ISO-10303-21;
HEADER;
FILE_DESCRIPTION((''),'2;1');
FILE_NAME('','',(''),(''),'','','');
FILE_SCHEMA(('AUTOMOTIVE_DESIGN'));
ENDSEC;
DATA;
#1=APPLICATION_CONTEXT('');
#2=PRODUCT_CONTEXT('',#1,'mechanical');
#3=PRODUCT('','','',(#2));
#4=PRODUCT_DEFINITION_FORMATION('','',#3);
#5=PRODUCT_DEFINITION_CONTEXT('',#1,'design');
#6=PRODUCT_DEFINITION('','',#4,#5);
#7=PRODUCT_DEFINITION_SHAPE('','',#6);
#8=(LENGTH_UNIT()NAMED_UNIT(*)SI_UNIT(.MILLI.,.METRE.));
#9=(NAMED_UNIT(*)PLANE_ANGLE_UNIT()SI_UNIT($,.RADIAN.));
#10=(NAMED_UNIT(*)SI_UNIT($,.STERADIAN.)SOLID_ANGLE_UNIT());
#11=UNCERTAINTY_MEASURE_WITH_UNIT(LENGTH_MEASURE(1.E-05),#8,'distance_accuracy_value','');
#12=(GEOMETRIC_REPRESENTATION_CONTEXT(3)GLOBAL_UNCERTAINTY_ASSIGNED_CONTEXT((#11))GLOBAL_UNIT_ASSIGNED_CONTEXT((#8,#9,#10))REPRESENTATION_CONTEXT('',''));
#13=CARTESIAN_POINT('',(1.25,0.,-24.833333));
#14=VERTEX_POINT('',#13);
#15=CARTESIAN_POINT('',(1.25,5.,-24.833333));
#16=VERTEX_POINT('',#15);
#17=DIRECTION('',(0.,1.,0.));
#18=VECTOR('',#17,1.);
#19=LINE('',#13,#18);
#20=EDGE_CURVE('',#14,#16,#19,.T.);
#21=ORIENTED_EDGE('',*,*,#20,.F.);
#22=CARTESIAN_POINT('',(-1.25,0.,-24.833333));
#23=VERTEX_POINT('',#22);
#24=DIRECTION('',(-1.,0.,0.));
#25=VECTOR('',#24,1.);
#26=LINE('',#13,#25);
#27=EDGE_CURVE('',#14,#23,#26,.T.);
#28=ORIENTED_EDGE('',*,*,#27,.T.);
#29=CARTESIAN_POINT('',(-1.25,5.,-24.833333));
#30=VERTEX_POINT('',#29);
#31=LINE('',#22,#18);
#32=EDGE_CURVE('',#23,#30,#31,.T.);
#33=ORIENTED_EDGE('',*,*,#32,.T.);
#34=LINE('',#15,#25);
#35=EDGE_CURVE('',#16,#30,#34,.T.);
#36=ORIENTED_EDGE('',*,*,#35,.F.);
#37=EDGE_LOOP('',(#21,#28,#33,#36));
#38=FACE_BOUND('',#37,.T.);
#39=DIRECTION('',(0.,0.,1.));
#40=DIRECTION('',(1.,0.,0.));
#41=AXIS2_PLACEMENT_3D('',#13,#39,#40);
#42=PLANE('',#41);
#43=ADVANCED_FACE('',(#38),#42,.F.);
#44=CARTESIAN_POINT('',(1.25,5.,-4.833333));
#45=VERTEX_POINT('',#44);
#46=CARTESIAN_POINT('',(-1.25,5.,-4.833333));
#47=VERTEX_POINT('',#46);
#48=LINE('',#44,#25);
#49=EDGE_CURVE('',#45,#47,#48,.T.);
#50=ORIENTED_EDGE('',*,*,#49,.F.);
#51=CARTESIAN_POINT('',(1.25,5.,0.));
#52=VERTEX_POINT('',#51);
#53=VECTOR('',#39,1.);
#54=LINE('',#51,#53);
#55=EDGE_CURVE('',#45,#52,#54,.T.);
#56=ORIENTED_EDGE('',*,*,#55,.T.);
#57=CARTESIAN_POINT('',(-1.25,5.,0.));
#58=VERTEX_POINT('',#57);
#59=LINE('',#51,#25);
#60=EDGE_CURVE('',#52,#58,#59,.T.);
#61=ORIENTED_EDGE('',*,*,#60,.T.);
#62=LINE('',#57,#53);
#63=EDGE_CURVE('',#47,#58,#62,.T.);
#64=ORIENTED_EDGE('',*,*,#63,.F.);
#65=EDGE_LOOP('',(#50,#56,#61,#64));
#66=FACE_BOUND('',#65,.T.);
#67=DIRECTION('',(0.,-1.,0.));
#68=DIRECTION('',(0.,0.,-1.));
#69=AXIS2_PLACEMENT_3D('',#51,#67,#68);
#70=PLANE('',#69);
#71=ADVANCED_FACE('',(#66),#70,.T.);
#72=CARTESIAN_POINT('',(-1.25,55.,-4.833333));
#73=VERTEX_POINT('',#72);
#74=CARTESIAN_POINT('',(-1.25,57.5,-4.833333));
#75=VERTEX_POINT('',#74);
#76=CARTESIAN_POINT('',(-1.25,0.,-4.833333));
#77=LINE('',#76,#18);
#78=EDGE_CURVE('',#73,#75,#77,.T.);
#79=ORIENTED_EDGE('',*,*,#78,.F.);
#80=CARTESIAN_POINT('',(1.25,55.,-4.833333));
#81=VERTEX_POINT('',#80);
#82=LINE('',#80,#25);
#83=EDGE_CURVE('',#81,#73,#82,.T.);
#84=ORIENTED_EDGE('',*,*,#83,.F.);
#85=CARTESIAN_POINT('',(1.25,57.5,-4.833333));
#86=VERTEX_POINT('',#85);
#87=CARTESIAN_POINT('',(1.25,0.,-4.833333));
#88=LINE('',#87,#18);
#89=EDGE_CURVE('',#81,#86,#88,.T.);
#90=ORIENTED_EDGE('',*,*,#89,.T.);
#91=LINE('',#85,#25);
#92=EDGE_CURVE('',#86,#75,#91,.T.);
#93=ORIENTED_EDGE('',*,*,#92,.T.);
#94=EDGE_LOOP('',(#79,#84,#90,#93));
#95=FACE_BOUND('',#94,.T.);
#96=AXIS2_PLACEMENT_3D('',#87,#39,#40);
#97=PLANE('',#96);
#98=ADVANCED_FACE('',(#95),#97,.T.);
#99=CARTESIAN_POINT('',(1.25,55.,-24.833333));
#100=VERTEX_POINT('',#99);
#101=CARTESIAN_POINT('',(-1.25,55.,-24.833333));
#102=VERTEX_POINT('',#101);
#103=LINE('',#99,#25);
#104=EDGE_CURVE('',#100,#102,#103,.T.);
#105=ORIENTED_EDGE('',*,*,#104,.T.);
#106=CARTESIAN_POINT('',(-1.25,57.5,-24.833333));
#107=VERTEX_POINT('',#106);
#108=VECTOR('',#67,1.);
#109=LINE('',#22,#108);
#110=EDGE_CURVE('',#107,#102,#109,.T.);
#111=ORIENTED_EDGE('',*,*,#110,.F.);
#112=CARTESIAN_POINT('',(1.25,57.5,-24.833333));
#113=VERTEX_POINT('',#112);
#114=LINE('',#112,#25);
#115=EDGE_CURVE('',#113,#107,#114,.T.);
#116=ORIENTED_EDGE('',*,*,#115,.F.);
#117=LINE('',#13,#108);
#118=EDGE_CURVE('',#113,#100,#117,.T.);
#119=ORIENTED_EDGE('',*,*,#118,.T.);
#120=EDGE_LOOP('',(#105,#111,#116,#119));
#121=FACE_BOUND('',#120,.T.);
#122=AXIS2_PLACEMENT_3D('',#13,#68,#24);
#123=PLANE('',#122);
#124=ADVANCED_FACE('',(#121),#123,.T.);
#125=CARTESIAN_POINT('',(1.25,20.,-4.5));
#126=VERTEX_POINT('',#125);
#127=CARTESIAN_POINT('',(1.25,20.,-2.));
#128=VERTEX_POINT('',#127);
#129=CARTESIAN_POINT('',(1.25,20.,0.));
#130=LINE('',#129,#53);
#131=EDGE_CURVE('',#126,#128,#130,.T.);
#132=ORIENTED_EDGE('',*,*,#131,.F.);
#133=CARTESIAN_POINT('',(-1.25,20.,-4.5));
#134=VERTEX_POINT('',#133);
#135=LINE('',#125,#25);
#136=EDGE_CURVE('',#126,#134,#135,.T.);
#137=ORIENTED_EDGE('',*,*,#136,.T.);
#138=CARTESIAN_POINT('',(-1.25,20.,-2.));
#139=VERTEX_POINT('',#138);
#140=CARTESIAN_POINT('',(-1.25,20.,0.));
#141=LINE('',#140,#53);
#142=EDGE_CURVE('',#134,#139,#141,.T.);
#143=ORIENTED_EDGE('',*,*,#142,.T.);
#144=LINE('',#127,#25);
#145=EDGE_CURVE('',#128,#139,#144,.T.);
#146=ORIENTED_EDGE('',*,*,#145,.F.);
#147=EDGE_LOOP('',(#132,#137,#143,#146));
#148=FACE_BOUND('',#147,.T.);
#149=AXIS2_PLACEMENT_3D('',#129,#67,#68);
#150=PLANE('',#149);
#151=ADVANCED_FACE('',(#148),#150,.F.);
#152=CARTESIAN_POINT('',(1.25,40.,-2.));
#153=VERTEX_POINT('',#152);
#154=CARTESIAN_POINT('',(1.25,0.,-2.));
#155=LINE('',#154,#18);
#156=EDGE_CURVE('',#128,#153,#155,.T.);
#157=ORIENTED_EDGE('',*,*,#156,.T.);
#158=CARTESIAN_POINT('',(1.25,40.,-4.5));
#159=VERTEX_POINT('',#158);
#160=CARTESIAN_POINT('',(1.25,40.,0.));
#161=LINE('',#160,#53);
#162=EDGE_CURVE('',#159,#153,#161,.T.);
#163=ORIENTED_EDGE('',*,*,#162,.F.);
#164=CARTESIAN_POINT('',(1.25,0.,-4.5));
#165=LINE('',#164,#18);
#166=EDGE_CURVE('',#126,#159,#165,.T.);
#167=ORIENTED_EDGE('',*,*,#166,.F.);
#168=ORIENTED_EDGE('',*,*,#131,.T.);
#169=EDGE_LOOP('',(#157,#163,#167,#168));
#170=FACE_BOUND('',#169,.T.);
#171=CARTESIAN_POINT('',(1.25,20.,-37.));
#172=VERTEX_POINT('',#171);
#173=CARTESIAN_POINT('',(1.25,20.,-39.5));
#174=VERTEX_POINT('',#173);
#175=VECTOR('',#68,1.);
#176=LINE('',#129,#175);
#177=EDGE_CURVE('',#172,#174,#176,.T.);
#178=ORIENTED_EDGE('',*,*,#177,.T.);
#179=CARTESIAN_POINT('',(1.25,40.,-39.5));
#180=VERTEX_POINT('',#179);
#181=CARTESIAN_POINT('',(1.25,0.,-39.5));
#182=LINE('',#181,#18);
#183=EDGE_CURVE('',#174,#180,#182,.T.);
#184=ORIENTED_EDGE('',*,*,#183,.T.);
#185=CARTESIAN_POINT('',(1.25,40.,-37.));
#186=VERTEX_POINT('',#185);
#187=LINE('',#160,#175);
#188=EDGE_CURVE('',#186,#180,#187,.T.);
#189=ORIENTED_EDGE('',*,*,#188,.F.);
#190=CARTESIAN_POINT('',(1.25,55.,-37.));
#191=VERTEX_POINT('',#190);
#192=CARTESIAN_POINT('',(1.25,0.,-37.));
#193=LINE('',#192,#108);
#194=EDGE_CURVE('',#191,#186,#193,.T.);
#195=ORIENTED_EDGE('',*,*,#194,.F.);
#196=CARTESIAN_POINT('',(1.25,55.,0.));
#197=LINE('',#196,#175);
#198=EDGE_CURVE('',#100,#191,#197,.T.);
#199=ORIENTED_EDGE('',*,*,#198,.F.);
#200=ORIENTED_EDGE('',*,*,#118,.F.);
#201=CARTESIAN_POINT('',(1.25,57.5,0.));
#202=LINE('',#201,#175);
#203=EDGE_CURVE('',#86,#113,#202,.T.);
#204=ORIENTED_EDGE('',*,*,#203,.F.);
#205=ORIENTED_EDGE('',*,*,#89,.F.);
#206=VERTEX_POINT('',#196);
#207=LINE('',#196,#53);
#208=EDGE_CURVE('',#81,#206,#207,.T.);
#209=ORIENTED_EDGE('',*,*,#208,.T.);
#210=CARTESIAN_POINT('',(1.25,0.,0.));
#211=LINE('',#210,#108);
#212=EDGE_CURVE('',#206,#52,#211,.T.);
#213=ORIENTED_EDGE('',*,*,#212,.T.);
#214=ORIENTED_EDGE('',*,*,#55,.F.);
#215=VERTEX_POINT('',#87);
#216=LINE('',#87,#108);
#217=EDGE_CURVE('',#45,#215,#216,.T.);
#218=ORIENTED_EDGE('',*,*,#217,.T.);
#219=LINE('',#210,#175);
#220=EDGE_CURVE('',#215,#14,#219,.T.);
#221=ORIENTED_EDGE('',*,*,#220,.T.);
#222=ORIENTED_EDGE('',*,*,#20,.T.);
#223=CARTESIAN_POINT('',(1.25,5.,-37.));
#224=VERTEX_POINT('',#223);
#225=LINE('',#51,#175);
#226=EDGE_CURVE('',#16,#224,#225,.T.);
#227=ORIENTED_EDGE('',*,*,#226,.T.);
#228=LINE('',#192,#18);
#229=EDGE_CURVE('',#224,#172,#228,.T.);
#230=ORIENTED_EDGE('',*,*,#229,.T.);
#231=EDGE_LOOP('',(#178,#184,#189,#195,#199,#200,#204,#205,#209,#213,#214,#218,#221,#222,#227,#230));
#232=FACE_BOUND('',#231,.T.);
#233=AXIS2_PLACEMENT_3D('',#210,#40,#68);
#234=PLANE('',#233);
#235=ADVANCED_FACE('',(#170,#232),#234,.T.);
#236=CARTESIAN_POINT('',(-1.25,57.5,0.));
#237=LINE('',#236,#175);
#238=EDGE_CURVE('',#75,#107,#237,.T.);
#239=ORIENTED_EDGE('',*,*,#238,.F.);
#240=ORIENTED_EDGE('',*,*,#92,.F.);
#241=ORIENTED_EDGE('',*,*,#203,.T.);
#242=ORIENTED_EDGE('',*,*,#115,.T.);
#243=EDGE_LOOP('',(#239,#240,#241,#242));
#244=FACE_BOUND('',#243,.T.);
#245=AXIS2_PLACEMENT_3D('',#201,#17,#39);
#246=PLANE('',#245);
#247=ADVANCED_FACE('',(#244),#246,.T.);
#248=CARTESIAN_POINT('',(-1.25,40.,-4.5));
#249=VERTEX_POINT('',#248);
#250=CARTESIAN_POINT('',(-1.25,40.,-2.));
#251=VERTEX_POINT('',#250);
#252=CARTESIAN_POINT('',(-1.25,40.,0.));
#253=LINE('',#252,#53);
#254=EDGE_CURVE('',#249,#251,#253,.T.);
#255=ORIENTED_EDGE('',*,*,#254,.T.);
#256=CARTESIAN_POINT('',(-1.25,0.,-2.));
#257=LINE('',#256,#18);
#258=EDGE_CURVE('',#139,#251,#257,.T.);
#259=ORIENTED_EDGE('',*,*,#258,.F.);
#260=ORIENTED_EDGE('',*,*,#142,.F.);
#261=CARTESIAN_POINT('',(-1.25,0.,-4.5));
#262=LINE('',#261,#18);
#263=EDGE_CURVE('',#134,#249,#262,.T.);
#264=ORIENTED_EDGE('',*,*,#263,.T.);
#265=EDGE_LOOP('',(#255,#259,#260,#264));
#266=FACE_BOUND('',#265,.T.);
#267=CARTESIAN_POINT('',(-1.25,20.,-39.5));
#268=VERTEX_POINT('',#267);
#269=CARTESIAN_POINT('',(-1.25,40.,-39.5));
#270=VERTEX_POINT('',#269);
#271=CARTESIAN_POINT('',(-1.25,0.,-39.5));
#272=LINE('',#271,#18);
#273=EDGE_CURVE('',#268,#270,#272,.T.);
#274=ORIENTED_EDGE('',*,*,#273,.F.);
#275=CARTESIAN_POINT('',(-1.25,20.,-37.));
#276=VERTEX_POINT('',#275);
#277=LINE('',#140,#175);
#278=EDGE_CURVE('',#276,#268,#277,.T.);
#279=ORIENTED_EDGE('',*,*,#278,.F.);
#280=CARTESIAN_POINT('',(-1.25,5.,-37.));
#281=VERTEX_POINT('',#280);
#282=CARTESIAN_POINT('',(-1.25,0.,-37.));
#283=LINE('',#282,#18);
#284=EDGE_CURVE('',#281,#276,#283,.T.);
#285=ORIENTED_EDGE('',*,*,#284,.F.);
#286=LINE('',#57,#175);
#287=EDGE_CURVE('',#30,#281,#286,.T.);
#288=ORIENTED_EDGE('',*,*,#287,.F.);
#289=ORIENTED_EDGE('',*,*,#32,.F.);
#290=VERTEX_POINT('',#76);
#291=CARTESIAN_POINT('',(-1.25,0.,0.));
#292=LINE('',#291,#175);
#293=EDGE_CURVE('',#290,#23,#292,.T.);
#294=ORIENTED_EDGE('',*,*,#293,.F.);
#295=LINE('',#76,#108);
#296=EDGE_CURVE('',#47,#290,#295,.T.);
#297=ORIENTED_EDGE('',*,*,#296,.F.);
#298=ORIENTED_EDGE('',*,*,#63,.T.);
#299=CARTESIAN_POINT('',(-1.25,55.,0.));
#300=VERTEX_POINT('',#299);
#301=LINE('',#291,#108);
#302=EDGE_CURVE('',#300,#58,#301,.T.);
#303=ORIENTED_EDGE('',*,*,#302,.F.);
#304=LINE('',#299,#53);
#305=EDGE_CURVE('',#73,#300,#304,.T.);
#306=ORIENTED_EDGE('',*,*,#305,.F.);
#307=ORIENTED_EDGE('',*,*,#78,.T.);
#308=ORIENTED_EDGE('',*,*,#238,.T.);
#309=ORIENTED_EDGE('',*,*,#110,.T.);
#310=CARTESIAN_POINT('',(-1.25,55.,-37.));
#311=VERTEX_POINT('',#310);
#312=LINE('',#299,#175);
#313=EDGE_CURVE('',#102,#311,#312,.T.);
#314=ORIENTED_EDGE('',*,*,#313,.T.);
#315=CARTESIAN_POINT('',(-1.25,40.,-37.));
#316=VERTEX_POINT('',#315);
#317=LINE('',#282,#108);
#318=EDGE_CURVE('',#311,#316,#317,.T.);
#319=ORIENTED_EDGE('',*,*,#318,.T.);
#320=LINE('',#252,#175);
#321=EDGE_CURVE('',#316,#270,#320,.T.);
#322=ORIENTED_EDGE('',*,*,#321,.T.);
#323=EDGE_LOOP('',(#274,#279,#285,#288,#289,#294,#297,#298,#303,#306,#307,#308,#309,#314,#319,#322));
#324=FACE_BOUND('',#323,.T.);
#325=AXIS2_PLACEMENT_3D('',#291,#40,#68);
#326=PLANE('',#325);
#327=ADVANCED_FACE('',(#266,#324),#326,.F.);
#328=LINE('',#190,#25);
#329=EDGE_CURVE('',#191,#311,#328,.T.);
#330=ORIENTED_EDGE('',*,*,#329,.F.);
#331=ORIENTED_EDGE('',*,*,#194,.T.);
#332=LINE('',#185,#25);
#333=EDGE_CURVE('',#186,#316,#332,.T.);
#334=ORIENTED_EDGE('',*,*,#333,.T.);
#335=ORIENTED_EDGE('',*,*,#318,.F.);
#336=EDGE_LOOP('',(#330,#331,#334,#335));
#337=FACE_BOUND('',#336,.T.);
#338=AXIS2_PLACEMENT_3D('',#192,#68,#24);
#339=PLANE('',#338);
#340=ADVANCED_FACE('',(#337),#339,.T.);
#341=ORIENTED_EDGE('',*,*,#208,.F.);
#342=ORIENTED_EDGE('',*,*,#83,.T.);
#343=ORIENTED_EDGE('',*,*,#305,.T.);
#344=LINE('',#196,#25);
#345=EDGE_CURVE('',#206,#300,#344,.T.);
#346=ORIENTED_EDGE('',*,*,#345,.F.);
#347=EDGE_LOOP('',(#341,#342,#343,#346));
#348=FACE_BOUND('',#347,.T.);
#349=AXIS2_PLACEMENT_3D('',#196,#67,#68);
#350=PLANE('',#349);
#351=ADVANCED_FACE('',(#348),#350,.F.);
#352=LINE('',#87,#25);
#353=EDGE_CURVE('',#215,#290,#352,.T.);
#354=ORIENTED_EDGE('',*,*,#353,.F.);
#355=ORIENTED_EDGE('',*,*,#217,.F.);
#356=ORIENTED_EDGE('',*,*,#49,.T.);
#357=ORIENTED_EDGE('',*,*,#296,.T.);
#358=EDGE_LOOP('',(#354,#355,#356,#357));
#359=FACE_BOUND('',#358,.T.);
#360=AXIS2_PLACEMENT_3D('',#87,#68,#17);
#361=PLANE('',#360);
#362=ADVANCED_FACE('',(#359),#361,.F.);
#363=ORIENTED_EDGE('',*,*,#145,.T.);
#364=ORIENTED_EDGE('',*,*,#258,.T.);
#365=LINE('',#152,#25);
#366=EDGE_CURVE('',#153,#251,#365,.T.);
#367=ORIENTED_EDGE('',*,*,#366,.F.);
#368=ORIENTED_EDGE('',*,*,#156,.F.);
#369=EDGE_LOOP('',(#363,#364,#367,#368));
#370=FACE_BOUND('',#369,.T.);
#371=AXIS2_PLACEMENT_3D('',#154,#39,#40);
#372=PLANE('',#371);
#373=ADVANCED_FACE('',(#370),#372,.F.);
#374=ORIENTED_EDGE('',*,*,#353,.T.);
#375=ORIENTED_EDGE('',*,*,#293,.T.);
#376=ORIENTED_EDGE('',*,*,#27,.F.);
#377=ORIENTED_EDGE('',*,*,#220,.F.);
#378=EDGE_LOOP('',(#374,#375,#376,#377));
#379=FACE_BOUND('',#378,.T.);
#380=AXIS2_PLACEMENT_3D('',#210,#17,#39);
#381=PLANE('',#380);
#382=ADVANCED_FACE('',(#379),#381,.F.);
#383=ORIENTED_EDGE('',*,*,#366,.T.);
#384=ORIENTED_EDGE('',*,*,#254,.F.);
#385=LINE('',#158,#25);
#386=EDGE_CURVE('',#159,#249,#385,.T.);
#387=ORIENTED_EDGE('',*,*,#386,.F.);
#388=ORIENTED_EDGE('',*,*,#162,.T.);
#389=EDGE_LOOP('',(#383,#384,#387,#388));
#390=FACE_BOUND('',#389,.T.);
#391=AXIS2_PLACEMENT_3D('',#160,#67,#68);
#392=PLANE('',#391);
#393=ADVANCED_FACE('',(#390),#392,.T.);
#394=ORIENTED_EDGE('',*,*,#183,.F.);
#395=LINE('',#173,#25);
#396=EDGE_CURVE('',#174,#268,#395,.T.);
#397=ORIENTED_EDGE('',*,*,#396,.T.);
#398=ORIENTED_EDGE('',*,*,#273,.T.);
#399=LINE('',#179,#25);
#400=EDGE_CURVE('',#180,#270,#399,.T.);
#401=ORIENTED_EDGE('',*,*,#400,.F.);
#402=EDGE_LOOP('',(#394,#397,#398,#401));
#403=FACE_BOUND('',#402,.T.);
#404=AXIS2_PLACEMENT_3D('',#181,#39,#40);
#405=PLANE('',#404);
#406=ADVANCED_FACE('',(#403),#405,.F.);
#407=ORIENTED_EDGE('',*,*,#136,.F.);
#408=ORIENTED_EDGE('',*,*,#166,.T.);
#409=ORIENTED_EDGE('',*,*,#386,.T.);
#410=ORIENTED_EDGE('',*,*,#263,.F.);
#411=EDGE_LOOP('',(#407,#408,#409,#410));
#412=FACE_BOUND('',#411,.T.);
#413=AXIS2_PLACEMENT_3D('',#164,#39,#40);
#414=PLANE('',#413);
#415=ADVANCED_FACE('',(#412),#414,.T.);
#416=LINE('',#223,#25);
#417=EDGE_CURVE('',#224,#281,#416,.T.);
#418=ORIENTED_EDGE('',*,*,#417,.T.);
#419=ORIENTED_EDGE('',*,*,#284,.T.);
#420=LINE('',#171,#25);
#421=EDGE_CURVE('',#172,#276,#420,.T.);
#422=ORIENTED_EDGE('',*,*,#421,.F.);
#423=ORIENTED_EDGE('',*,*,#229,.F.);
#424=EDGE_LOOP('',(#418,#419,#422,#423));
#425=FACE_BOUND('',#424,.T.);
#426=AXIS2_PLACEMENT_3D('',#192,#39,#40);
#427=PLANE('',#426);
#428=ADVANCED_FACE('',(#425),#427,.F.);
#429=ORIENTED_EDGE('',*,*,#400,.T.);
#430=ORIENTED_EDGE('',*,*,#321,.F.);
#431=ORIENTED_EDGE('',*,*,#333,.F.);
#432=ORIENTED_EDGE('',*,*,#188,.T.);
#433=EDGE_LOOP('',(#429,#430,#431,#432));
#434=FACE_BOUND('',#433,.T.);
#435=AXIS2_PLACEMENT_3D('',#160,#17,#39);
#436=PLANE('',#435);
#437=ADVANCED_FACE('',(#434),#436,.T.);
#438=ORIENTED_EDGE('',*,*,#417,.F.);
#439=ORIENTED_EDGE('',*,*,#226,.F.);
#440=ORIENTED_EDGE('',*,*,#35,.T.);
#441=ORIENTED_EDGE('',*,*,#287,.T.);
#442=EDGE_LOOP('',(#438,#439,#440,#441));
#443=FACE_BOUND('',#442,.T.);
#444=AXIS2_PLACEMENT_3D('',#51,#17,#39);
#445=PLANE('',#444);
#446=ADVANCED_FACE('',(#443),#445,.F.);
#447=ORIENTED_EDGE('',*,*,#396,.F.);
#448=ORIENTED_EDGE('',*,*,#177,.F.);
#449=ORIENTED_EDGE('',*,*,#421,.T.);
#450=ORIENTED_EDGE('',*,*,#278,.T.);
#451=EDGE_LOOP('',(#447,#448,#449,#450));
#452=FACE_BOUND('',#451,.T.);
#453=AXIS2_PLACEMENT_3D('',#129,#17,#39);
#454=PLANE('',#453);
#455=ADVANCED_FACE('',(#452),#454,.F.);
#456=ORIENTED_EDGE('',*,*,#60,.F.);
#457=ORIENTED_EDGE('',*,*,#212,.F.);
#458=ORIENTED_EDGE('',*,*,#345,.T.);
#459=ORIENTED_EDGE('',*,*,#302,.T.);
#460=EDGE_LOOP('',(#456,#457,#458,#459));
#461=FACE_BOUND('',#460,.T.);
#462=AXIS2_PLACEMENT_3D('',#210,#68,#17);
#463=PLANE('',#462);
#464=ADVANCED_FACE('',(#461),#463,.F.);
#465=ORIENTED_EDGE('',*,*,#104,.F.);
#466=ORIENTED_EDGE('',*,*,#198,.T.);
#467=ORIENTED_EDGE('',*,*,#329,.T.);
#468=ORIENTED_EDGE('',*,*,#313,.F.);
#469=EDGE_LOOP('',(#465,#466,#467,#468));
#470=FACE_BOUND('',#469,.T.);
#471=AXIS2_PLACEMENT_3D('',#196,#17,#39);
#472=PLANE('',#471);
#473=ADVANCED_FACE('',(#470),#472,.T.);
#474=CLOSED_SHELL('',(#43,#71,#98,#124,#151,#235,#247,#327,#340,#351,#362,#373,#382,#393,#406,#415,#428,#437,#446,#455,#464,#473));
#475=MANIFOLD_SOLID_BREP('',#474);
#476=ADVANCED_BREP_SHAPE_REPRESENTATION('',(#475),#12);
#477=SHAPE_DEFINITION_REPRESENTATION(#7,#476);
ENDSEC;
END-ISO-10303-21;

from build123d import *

# Parameters (mm, degrees)
SKETCH1_W           = 2.5
SKETCH1_H           = 20
BOSS_EXTRUDE2_DEPTH = 1.25


with BuildPart() as part:
    # Sketch1 (on Right Plane) → Boss-Extrude2 (new, symmetric)
    with BuildSketch(Plane(origin=(0, 0, 0), x_dir=(0, 0, -1), z_dir=(1, 0, 0))):
        Polygon((4.833333333, 5), (0, 5), (0, 55), (4.833333333, 55), (4.833333333, 57.5), (24.833333333, 57.5), (24.833333333, 55), (37, 55), (37, 40), (39.5, 40), (39.5, 20), (37, 20), (37, 5), (24.833333333, 5), (24.833333333, 0), (4.833333333, 0), align=None)
        with Locations((3.25, 30)):
            Rectangle(SKETCH1_W, SKETCH1_H, mode=Mode.SUBTRACT)
    extrude(amount=BOSS_EXTRUDE2_DEPTH, both=True)


solid = part.part
